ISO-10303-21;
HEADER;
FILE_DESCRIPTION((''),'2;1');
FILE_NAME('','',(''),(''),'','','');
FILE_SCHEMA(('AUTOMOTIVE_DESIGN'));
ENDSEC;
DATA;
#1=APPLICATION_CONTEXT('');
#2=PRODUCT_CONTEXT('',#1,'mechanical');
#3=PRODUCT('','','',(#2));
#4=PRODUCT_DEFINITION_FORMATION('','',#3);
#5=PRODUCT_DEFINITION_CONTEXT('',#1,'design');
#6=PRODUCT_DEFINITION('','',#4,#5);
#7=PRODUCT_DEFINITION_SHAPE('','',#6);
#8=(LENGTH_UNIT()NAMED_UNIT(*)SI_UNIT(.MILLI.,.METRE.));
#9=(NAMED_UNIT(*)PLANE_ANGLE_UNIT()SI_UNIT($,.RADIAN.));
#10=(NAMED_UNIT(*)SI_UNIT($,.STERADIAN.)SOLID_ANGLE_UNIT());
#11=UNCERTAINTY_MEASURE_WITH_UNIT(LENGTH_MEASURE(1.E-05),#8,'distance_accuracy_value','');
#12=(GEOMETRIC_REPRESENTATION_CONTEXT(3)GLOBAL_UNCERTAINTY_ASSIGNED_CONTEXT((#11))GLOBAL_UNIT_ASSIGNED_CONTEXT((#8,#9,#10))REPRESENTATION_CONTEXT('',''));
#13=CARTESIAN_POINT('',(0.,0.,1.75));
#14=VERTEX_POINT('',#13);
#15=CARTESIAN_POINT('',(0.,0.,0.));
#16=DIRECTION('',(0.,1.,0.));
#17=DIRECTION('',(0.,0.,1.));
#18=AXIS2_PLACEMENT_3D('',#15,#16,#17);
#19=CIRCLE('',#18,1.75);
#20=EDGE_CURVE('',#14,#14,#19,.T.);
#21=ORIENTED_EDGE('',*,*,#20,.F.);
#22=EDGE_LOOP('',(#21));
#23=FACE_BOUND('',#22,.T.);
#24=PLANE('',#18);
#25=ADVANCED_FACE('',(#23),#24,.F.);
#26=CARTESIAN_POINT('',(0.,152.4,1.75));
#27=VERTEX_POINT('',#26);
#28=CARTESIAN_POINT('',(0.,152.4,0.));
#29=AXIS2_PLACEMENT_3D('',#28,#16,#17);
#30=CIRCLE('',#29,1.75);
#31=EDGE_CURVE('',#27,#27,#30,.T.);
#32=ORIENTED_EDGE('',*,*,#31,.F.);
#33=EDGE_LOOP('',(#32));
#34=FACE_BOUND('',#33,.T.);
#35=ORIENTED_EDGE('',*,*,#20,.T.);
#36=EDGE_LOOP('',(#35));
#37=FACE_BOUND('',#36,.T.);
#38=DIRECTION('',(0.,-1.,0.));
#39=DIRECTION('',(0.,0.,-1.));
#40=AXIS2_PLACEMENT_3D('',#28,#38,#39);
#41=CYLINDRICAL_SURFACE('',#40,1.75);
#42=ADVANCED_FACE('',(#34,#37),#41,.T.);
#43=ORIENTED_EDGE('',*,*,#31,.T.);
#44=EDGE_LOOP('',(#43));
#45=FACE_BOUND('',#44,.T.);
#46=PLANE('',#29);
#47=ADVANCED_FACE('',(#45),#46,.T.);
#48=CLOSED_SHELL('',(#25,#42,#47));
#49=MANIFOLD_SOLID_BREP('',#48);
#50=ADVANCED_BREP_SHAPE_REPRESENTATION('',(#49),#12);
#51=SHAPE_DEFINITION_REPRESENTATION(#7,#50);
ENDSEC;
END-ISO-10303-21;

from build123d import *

# Parameters (mm, degrees)
SKETCH1_R           = 1.75
BOSS_EXTRUDE1_DEPTH = 152.4


with BuildPart() as part:
    # Sketch1 → Boss-Extrude1 (new body)
    with BuildSketch(Plane(origin=(0, 0, 0), x_dir=(1, 0, 0), z_dir=(0, 1, 0))):
        Circle(SKETCH1_R)
    extrude(amount=BOSS_EXTRUDE1_DEPTH)


solid = part.part
